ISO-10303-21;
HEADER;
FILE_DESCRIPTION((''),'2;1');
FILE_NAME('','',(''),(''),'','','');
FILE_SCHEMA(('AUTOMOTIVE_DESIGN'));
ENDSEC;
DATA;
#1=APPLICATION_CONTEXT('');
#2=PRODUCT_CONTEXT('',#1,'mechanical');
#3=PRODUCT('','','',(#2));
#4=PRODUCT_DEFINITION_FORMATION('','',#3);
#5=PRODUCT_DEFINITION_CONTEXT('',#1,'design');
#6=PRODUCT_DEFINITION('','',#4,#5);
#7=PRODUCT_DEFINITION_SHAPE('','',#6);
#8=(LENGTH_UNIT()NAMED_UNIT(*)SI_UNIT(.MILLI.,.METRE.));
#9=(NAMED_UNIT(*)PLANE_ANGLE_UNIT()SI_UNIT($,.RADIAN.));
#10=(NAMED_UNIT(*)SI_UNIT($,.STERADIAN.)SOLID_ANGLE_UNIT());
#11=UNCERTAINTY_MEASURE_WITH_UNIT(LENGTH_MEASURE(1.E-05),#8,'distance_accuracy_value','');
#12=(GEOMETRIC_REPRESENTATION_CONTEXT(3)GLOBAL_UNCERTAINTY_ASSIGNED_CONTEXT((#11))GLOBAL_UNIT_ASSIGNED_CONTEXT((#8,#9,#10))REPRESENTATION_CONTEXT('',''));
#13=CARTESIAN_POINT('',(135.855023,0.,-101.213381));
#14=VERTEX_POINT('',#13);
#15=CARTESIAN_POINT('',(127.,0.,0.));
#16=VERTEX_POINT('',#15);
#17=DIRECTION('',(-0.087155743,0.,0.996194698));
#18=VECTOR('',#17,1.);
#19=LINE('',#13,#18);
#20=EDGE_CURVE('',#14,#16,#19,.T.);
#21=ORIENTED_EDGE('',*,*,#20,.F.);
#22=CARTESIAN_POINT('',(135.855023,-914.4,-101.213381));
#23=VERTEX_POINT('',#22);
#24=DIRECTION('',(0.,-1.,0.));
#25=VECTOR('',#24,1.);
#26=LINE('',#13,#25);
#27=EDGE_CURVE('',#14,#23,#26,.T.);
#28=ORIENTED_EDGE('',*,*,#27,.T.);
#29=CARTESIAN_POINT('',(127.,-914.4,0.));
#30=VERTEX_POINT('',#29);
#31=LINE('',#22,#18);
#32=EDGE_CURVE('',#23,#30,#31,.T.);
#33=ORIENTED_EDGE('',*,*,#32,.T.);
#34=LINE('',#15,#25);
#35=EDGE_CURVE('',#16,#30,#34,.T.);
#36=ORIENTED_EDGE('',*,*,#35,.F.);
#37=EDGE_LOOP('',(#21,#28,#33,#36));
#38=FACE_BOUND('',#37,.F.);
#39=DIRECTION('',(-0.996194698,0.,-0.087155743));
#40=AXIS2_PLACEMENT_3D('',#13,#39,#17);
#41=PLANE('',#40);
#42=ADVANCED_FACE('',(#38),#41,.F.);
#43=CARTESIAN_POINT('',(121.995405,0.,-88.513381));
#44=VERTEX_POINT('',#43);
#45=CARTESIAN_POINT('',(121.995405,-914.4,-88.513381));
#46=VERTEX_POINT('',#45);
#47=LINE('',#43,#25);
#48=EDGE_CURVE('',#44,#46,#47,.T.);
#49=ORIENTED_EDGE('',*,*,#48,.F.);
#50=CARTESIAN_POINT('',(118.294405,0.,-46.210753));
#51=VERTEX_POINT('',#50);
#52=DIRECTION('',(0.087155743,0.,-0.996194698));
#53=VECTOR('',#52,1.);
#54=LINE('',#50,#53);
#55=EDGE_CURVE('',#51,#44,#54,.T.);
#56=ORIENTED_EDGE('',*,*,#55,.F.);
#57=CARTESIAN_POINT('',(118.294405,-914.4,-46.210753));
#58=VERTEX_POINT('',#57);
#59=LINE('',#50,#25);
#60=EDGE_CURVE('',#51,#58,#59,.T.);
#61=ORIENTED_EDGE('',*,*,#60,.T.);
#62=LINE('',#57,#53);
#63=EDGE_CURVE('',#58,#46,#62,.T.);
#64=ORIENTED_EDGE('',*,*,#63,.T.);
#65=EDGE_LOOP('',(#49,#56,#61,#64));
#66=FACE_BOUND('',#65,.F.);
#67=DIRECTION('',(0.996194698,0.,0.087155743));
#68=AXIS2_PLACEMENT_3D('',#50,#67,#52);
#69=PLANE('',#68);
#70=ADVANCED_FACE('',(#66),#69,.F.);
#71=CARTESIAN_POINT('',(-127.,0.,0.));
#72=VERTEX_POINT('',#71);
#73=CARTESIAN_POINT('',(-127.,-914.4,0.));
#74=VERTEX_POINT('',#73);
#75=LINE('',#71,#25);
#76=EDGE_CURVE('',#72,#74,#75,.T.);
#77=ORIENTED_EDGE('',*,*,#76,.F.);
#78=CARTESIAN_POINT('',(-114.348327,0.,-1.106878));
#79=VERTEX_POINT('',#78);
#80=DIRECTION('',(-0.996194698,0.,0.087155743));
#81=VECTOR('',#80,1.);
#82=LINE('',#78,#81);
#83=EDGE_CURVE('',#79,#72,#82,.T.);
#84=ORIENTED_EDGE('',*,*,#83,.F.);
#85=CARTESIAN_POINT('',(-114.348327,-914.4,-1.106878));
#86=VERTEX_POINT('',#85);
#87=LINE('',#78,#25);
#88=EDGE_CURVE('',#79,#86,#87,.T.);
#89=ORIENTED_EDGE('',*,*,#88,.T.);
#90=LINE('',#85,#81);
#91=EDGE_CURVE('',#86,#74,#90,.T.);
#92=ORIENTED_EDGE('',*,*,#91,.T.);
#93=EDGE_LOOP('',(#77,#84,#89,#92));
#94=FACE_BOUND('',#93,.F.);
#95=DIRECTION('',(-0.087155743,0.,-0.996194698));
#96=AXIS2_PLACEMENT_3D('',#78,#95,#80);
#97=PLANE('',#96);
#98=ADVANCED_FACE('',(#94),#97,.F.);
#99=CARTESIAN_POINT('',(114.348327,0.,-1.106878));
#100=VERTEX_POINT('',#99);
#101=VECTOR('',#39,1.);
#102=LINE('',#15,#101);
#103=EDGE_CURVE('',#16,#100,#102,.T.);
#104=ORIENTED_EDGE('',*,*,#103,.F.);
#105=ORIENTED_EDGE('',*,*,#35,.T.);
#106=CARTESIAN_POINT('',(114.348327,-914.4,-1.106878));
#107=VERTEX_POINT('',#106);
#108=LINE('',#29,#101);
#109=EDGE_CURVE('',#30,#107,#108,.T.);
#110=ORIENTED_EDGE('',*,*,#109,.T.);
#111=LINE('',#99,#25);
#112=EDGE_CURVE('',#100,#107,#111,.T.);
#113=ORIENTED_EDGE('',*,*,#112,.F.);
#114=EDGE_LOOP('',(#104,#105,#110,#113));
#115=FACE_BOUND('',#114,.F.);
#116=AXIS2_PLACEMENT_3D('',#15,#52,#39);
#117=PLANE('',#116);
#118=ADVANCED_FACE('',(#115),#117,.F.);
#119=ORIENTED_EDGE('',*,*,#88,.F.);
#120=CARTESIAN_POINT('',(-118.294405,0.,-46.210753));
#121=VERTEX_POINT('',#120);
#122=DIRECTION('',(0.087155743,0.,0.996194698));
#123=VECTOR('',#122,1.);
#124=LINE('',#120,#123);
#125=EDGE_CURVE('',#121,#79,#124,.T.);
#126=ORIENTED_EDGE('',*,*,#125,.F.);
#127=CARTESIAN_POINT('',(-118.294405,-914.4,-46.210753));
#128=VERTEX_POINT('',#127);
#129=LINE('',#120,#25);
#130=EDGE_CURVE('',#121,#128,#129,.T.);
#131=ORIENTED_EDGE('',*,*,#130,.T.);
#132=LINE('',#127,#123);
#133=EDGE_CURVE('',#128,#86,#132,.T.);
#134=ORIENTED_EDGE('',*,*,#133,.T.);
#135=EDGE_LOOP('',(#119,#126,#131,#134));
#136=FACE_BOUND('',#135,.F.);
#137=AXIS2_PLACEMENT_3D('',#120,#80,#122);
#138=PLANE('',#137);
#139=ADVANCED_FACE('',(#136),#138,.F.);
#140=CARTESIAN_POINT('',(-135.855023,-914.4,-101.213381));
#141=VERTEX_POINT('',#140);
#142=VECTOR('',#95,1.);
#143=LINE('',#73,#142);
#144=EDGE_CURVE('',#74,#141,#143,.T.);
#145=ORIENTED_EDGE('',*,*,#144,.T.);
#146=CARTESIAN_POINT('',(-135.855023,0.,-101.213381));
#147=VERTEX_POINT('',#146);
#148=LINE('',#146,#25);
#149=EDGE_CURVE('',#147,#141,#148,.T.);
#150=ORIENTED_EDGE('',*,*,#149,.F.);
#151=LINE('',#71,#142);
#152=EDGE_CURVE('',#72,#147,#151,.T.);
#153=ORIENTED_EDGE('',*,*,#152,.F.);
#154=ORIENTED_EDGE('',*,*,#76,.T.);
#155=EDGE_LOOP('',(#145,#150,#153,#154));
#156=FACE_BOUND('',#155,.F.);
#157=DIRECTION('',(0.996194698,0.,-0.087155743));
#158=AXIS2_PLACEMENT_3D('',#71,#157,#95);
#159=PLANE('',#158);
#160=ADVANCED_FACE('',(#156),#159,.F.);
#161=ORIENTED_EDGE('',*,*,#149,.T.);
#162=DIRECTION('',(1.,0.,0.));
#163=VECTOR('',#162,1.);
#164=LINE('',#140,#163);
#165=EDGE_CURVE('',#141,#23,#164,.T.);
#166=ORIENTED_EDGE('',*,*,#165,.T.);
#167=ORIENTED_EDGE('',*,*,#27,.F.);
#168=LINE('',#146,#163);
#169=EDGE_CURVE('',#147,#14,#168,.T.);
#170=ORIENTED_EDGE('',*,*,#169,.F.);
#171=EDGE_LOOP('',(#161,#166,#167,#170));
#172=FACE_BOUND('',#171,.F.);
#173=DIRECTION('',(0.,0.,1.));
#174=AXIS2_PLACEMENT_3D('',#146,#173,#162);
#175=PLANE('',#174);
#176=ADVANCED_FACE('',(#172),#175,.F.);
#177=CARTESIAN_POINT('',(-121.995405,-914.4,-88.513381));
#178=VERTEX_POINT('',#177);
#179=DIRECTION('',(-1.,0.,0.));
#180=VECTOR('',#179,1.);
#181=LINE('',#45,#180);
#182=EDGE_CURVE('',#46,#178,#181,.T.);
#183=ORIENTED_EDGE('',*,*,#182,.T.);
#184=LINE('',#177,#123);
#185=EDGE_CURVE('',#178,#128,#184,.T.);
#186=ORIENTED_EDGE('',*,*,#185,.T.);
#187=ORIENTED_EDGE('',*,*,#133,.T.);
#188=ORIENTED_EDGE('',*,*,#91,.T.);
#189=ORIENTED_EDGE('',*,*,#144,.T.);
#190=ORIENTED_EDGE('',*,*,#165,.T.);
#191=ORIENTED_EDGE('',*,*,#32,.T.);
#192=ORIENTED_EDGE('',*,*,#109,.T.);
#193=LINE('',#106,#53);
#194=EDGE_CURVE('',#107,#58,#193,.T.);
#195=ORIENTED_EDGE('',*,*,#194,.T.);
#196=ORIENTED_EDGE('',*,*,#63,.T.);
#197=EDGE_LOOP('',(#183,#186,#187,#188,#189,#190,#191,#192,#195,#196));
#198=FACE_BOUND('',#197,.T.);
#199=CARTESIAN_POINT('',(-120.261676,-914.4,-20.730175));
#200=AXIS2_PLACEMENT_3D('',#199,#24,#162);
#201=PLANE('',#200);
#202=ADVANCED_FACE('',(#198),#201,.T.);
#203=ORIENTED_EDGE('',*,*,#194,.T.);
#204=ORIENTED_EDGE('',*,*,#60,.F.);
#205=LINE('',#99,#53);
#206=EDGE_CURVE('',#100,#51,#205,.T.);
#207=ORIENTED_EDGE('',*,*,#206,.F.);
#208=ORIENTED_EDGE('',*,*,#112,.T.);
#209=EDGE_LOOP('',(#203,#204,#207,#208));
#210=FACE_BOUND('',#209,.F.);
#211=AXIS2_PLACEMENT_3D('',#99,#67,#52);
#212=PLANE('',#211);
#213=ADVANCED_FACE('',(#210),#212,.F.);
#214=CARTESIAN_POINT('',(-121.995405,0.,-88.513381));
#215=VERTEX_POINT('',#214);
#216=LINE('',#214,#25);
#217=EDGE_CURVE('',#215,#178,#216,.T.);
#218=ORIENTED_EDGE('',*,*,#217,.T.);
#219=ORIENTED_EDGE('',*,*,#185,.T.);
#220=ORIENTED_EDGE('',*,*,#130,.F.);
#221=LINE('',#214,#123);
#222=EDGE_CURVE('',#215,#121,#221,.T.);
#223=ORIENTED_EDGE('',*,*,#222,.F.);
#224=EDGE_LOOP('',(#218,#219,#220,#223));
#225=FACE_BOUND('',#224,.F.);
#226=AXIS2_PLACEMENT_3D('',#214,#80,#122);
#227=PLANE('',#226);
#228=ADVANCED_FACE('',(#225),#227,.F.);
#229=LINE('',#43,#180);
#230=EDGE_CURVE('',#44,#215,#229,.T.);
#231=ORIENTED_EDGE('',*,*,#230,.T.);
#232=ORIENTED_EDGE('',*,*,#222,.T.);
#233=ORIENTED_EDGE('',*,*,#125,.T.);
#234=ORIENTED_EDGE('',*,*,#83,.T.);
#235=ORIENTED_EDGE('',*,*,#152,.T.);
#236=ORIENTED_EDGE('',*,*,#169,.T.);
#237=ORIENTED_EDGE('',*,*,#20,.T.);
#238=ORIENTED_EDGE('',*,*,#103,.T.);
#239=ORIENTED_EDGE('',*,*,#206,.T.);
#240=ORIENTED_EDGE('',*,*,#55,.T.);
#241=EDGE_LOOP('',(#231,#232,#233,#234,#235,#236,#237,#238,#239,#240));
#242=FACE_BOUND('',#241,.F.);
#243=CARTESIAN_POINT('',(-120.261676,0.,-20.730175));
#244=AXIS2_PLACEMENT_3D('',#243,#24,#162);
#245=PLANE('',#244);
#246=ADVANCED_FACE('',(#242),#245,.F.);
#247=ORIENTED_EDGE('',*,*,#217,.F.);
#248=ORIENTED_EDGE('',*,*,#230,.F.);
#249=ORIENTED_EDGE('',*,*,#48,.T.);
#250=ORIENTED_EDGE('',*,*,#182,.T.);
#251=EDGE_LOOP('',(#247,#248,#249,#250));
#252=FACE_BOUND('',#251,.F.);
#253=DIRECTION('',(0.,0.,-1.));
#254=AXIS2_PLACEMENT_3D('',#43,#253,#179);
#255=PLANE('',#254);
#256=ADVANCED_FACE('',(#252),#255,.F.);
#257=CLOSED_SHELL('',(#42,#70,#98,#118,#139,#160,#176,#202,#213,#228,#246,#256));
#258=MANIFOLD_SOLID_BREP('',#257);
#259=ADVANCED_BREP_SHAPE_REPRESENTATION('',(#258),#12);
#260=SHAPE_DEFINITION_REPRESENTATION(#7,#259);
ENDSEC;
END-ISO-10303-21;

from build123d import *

# Parameters (mm, degrees)
F1_DEPTH = 914.4


with BuildPart() as f1:
    # F0 (on Front) → F1 (new body)
    with BuildSketch(Plane.XZ):
        with BuildLine():
            Line((-114.3483273342, -1.1068779329), (-127, 0))
            ThreePointArc((-127, 0), (-124.8046262141, -23.5118114054), (-118.2944051093, -46.2107532923))
            Line((-118.2944051093, -46.2107532923), (-114.3483273342, -1.1068779329))
        make_face()
        with BuildLine():
            ThreePointArc((-118.2944051093, -46.2107532923), (-124.8046262141, -23.5118114054), (-127, 0))
            Line((-127, 0), (-135.8550234632, -101.2133813261))
            Line((-135.8550234632, -101.2133813261), (-76.7127853785, -101.2133813261))
            ThreePointArc((-76.7127853785, -101.2133813261), (-84.1331171102, -95.134739214), (-91.0734940925, -88.5133813261))
            Line((-91.0734940925, -88.5133813261), (-121.9954054996, -88.5133813261))
            Line((-121.9954054996, -88.5133813261), (-118.2944051093, -46.2107532923))
        make_face()
        with BuildLine():
            ThreePointArc((76.7127853785, -101.2133813261), (84.1331171102, -95.134739214), (91.0734940925, -88.5133813261))
            Line((91.0734940925, -88.5133813261), (0, -88.5133813261))
            Line((0, -88.5133813261), (-91.0734940925, -88.5133813261))
            ThreePointArc((-91.0734940925, -88.5133813261), (-84.1331171102, -95.134739214), (-76.7127853785, -101.2133813261))
            Line((-76.7127853785, -101.2133813261), (0, -101.2133813261))
            Line((0, -101.2133813261), (76.7127853785, -101.2133813261))
        make_face()
        with BuildLine():
            Line((135.8550234632, -101.2133813261), (127, 0))
            ThreePointArc((127, 0), (124.8046262141, -23.5118114054), (118.2944051093, -46.2107532923))
            Line((118.2944051093, -46.2107532923), (121.9954054996, -88.5133813261))
            Line((121.9954054996, -88.5133813261), (91.0734940925, -88.5133813261))
            ThreePointArc((91.0734940925, -88.5133813261), (84.1331171102, -95.134739214), (76.7127853785, -101.2133813261))
            Line((76.7127853785, -101.2133813261), (135.8550234632, -101.2133813261))
        make_face()
        with BuildLine():
            ThreePointArc((118.2944051093, -46.2107532923), (124.8046262141, -23.5118114054), (127, 0))
            Line((127, 0), (114.3483273342, -1.1068779329))
            Line((114.3483273342, -1.1068779329), (118.2944051093, -46.2107532923))
        make_face()
    extrude(amount=F1_DEPTH)


solid = f1.part
